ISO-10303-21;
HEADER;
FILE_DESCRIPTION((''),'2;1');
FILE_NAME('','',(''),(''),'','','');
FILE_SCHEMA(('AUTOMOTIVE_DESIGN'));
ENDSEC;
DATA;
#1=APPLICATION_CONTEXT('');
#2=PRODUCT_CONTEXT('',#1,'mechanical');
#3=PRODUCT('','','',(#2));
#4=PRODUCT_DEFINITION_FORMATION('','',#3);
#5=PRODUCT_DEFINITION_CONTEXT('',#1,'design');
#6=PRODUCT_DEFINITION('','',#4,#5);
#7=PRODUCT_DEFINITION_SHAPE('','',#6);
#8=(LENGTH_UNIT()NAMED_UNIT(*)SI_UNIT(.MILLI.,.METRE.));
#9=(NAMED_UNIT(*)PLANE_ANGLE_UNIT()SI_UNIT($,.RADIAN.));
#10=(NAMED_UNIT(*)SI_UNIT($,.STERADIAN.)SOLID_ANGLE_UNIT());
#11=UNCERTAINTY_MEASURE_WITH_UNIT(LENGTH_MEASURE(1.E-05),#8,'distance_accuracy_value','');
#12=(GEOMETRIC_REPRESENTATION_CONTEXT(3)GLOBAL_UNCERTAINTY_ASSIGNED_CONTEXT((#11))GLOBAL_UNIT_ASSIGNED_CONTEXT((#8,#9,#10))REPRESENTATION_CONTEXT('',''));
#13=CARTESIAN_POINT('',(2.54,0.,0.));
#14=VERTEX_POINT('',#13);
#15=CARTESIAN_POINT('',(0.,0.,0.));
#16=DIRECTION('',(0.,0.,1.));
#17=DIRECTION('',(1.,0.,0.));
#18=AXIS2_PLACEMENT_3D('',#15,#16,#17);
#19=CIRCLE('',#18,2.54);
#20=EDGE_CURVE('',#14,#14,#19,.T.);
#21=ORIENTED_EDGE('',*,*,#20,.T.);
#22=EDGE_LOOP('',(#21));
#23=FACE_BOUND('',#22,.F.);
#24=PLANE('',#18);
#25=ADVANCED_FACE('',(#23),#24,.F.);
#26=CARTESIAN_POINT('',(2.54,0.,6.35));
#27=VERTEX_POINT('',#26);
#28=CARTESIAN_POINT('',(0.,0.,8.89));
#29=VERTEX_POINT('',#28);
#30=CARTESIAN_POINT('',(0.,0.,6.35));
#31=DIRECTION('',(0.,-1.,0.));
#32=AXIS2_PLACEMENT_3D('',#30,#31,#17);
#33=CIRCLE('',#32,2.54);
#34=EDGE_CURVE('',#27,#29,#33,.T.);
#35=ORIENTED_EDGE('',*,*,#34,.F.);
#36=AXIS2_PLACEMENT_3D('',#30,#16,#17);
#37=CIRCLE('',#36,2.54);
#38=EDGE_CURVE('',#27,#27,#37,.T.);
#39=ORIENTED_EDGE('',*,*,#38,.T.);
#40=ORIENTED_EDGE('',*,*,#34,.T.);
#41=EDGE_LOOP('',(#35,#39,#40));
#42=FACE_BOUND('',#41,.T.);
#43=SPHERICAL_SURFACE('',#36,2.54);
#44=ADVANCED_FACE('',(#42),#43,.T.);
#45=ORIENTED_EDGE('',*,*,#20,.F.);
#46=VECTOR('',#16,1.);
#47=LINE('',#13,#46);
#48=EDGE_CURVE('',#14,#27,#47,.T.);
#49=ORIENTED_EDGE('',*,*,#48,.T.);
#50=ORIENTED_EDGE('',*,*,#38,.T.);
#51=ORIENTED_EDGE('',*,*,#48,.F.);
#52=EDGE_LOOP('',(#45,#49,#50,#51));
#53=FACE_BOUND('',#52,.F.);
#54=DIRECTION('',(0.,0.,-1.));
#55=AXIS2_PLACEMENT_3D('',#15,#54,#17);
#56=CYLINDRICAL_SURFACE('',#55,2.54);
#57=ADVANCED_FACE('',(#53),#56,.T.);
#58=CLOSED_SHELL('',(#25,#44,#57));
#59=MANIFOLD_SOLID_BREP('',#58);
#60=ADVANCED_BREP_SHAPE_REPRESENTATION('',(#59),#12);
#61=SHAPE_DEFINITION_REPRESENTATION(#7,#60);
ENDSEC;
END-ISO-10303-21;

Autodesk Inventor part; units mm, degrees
ref_plane "YZ Plane" through (0, 0, 0) normal (1, 0, 0) x (0, 1, 0)
ref_plane "XZ Plane" through (0, 0, 0) normal (0, 1, 0) x (-1, 0, 0)
ref_plane "XY Plane" through (0, 0, 0) normal (0, 0, 1) x (1, 0, 0)
sketch "Sketch1" plane through (0, 0, 0) normal (0, 0, 1) x (1, 0, 0)
  circle A0 centre (0, 0) radius 2.54
  dimension "d0" = 5.08
extrude "Extrusion1" add sketch "Sketch1" along normal blind 8.89
fillet "Fillet1" radius 2.54 1 edges at (-2.54, 0, 8.89)
properties part number "IRTX" material "Polycarbonate, Clear"
